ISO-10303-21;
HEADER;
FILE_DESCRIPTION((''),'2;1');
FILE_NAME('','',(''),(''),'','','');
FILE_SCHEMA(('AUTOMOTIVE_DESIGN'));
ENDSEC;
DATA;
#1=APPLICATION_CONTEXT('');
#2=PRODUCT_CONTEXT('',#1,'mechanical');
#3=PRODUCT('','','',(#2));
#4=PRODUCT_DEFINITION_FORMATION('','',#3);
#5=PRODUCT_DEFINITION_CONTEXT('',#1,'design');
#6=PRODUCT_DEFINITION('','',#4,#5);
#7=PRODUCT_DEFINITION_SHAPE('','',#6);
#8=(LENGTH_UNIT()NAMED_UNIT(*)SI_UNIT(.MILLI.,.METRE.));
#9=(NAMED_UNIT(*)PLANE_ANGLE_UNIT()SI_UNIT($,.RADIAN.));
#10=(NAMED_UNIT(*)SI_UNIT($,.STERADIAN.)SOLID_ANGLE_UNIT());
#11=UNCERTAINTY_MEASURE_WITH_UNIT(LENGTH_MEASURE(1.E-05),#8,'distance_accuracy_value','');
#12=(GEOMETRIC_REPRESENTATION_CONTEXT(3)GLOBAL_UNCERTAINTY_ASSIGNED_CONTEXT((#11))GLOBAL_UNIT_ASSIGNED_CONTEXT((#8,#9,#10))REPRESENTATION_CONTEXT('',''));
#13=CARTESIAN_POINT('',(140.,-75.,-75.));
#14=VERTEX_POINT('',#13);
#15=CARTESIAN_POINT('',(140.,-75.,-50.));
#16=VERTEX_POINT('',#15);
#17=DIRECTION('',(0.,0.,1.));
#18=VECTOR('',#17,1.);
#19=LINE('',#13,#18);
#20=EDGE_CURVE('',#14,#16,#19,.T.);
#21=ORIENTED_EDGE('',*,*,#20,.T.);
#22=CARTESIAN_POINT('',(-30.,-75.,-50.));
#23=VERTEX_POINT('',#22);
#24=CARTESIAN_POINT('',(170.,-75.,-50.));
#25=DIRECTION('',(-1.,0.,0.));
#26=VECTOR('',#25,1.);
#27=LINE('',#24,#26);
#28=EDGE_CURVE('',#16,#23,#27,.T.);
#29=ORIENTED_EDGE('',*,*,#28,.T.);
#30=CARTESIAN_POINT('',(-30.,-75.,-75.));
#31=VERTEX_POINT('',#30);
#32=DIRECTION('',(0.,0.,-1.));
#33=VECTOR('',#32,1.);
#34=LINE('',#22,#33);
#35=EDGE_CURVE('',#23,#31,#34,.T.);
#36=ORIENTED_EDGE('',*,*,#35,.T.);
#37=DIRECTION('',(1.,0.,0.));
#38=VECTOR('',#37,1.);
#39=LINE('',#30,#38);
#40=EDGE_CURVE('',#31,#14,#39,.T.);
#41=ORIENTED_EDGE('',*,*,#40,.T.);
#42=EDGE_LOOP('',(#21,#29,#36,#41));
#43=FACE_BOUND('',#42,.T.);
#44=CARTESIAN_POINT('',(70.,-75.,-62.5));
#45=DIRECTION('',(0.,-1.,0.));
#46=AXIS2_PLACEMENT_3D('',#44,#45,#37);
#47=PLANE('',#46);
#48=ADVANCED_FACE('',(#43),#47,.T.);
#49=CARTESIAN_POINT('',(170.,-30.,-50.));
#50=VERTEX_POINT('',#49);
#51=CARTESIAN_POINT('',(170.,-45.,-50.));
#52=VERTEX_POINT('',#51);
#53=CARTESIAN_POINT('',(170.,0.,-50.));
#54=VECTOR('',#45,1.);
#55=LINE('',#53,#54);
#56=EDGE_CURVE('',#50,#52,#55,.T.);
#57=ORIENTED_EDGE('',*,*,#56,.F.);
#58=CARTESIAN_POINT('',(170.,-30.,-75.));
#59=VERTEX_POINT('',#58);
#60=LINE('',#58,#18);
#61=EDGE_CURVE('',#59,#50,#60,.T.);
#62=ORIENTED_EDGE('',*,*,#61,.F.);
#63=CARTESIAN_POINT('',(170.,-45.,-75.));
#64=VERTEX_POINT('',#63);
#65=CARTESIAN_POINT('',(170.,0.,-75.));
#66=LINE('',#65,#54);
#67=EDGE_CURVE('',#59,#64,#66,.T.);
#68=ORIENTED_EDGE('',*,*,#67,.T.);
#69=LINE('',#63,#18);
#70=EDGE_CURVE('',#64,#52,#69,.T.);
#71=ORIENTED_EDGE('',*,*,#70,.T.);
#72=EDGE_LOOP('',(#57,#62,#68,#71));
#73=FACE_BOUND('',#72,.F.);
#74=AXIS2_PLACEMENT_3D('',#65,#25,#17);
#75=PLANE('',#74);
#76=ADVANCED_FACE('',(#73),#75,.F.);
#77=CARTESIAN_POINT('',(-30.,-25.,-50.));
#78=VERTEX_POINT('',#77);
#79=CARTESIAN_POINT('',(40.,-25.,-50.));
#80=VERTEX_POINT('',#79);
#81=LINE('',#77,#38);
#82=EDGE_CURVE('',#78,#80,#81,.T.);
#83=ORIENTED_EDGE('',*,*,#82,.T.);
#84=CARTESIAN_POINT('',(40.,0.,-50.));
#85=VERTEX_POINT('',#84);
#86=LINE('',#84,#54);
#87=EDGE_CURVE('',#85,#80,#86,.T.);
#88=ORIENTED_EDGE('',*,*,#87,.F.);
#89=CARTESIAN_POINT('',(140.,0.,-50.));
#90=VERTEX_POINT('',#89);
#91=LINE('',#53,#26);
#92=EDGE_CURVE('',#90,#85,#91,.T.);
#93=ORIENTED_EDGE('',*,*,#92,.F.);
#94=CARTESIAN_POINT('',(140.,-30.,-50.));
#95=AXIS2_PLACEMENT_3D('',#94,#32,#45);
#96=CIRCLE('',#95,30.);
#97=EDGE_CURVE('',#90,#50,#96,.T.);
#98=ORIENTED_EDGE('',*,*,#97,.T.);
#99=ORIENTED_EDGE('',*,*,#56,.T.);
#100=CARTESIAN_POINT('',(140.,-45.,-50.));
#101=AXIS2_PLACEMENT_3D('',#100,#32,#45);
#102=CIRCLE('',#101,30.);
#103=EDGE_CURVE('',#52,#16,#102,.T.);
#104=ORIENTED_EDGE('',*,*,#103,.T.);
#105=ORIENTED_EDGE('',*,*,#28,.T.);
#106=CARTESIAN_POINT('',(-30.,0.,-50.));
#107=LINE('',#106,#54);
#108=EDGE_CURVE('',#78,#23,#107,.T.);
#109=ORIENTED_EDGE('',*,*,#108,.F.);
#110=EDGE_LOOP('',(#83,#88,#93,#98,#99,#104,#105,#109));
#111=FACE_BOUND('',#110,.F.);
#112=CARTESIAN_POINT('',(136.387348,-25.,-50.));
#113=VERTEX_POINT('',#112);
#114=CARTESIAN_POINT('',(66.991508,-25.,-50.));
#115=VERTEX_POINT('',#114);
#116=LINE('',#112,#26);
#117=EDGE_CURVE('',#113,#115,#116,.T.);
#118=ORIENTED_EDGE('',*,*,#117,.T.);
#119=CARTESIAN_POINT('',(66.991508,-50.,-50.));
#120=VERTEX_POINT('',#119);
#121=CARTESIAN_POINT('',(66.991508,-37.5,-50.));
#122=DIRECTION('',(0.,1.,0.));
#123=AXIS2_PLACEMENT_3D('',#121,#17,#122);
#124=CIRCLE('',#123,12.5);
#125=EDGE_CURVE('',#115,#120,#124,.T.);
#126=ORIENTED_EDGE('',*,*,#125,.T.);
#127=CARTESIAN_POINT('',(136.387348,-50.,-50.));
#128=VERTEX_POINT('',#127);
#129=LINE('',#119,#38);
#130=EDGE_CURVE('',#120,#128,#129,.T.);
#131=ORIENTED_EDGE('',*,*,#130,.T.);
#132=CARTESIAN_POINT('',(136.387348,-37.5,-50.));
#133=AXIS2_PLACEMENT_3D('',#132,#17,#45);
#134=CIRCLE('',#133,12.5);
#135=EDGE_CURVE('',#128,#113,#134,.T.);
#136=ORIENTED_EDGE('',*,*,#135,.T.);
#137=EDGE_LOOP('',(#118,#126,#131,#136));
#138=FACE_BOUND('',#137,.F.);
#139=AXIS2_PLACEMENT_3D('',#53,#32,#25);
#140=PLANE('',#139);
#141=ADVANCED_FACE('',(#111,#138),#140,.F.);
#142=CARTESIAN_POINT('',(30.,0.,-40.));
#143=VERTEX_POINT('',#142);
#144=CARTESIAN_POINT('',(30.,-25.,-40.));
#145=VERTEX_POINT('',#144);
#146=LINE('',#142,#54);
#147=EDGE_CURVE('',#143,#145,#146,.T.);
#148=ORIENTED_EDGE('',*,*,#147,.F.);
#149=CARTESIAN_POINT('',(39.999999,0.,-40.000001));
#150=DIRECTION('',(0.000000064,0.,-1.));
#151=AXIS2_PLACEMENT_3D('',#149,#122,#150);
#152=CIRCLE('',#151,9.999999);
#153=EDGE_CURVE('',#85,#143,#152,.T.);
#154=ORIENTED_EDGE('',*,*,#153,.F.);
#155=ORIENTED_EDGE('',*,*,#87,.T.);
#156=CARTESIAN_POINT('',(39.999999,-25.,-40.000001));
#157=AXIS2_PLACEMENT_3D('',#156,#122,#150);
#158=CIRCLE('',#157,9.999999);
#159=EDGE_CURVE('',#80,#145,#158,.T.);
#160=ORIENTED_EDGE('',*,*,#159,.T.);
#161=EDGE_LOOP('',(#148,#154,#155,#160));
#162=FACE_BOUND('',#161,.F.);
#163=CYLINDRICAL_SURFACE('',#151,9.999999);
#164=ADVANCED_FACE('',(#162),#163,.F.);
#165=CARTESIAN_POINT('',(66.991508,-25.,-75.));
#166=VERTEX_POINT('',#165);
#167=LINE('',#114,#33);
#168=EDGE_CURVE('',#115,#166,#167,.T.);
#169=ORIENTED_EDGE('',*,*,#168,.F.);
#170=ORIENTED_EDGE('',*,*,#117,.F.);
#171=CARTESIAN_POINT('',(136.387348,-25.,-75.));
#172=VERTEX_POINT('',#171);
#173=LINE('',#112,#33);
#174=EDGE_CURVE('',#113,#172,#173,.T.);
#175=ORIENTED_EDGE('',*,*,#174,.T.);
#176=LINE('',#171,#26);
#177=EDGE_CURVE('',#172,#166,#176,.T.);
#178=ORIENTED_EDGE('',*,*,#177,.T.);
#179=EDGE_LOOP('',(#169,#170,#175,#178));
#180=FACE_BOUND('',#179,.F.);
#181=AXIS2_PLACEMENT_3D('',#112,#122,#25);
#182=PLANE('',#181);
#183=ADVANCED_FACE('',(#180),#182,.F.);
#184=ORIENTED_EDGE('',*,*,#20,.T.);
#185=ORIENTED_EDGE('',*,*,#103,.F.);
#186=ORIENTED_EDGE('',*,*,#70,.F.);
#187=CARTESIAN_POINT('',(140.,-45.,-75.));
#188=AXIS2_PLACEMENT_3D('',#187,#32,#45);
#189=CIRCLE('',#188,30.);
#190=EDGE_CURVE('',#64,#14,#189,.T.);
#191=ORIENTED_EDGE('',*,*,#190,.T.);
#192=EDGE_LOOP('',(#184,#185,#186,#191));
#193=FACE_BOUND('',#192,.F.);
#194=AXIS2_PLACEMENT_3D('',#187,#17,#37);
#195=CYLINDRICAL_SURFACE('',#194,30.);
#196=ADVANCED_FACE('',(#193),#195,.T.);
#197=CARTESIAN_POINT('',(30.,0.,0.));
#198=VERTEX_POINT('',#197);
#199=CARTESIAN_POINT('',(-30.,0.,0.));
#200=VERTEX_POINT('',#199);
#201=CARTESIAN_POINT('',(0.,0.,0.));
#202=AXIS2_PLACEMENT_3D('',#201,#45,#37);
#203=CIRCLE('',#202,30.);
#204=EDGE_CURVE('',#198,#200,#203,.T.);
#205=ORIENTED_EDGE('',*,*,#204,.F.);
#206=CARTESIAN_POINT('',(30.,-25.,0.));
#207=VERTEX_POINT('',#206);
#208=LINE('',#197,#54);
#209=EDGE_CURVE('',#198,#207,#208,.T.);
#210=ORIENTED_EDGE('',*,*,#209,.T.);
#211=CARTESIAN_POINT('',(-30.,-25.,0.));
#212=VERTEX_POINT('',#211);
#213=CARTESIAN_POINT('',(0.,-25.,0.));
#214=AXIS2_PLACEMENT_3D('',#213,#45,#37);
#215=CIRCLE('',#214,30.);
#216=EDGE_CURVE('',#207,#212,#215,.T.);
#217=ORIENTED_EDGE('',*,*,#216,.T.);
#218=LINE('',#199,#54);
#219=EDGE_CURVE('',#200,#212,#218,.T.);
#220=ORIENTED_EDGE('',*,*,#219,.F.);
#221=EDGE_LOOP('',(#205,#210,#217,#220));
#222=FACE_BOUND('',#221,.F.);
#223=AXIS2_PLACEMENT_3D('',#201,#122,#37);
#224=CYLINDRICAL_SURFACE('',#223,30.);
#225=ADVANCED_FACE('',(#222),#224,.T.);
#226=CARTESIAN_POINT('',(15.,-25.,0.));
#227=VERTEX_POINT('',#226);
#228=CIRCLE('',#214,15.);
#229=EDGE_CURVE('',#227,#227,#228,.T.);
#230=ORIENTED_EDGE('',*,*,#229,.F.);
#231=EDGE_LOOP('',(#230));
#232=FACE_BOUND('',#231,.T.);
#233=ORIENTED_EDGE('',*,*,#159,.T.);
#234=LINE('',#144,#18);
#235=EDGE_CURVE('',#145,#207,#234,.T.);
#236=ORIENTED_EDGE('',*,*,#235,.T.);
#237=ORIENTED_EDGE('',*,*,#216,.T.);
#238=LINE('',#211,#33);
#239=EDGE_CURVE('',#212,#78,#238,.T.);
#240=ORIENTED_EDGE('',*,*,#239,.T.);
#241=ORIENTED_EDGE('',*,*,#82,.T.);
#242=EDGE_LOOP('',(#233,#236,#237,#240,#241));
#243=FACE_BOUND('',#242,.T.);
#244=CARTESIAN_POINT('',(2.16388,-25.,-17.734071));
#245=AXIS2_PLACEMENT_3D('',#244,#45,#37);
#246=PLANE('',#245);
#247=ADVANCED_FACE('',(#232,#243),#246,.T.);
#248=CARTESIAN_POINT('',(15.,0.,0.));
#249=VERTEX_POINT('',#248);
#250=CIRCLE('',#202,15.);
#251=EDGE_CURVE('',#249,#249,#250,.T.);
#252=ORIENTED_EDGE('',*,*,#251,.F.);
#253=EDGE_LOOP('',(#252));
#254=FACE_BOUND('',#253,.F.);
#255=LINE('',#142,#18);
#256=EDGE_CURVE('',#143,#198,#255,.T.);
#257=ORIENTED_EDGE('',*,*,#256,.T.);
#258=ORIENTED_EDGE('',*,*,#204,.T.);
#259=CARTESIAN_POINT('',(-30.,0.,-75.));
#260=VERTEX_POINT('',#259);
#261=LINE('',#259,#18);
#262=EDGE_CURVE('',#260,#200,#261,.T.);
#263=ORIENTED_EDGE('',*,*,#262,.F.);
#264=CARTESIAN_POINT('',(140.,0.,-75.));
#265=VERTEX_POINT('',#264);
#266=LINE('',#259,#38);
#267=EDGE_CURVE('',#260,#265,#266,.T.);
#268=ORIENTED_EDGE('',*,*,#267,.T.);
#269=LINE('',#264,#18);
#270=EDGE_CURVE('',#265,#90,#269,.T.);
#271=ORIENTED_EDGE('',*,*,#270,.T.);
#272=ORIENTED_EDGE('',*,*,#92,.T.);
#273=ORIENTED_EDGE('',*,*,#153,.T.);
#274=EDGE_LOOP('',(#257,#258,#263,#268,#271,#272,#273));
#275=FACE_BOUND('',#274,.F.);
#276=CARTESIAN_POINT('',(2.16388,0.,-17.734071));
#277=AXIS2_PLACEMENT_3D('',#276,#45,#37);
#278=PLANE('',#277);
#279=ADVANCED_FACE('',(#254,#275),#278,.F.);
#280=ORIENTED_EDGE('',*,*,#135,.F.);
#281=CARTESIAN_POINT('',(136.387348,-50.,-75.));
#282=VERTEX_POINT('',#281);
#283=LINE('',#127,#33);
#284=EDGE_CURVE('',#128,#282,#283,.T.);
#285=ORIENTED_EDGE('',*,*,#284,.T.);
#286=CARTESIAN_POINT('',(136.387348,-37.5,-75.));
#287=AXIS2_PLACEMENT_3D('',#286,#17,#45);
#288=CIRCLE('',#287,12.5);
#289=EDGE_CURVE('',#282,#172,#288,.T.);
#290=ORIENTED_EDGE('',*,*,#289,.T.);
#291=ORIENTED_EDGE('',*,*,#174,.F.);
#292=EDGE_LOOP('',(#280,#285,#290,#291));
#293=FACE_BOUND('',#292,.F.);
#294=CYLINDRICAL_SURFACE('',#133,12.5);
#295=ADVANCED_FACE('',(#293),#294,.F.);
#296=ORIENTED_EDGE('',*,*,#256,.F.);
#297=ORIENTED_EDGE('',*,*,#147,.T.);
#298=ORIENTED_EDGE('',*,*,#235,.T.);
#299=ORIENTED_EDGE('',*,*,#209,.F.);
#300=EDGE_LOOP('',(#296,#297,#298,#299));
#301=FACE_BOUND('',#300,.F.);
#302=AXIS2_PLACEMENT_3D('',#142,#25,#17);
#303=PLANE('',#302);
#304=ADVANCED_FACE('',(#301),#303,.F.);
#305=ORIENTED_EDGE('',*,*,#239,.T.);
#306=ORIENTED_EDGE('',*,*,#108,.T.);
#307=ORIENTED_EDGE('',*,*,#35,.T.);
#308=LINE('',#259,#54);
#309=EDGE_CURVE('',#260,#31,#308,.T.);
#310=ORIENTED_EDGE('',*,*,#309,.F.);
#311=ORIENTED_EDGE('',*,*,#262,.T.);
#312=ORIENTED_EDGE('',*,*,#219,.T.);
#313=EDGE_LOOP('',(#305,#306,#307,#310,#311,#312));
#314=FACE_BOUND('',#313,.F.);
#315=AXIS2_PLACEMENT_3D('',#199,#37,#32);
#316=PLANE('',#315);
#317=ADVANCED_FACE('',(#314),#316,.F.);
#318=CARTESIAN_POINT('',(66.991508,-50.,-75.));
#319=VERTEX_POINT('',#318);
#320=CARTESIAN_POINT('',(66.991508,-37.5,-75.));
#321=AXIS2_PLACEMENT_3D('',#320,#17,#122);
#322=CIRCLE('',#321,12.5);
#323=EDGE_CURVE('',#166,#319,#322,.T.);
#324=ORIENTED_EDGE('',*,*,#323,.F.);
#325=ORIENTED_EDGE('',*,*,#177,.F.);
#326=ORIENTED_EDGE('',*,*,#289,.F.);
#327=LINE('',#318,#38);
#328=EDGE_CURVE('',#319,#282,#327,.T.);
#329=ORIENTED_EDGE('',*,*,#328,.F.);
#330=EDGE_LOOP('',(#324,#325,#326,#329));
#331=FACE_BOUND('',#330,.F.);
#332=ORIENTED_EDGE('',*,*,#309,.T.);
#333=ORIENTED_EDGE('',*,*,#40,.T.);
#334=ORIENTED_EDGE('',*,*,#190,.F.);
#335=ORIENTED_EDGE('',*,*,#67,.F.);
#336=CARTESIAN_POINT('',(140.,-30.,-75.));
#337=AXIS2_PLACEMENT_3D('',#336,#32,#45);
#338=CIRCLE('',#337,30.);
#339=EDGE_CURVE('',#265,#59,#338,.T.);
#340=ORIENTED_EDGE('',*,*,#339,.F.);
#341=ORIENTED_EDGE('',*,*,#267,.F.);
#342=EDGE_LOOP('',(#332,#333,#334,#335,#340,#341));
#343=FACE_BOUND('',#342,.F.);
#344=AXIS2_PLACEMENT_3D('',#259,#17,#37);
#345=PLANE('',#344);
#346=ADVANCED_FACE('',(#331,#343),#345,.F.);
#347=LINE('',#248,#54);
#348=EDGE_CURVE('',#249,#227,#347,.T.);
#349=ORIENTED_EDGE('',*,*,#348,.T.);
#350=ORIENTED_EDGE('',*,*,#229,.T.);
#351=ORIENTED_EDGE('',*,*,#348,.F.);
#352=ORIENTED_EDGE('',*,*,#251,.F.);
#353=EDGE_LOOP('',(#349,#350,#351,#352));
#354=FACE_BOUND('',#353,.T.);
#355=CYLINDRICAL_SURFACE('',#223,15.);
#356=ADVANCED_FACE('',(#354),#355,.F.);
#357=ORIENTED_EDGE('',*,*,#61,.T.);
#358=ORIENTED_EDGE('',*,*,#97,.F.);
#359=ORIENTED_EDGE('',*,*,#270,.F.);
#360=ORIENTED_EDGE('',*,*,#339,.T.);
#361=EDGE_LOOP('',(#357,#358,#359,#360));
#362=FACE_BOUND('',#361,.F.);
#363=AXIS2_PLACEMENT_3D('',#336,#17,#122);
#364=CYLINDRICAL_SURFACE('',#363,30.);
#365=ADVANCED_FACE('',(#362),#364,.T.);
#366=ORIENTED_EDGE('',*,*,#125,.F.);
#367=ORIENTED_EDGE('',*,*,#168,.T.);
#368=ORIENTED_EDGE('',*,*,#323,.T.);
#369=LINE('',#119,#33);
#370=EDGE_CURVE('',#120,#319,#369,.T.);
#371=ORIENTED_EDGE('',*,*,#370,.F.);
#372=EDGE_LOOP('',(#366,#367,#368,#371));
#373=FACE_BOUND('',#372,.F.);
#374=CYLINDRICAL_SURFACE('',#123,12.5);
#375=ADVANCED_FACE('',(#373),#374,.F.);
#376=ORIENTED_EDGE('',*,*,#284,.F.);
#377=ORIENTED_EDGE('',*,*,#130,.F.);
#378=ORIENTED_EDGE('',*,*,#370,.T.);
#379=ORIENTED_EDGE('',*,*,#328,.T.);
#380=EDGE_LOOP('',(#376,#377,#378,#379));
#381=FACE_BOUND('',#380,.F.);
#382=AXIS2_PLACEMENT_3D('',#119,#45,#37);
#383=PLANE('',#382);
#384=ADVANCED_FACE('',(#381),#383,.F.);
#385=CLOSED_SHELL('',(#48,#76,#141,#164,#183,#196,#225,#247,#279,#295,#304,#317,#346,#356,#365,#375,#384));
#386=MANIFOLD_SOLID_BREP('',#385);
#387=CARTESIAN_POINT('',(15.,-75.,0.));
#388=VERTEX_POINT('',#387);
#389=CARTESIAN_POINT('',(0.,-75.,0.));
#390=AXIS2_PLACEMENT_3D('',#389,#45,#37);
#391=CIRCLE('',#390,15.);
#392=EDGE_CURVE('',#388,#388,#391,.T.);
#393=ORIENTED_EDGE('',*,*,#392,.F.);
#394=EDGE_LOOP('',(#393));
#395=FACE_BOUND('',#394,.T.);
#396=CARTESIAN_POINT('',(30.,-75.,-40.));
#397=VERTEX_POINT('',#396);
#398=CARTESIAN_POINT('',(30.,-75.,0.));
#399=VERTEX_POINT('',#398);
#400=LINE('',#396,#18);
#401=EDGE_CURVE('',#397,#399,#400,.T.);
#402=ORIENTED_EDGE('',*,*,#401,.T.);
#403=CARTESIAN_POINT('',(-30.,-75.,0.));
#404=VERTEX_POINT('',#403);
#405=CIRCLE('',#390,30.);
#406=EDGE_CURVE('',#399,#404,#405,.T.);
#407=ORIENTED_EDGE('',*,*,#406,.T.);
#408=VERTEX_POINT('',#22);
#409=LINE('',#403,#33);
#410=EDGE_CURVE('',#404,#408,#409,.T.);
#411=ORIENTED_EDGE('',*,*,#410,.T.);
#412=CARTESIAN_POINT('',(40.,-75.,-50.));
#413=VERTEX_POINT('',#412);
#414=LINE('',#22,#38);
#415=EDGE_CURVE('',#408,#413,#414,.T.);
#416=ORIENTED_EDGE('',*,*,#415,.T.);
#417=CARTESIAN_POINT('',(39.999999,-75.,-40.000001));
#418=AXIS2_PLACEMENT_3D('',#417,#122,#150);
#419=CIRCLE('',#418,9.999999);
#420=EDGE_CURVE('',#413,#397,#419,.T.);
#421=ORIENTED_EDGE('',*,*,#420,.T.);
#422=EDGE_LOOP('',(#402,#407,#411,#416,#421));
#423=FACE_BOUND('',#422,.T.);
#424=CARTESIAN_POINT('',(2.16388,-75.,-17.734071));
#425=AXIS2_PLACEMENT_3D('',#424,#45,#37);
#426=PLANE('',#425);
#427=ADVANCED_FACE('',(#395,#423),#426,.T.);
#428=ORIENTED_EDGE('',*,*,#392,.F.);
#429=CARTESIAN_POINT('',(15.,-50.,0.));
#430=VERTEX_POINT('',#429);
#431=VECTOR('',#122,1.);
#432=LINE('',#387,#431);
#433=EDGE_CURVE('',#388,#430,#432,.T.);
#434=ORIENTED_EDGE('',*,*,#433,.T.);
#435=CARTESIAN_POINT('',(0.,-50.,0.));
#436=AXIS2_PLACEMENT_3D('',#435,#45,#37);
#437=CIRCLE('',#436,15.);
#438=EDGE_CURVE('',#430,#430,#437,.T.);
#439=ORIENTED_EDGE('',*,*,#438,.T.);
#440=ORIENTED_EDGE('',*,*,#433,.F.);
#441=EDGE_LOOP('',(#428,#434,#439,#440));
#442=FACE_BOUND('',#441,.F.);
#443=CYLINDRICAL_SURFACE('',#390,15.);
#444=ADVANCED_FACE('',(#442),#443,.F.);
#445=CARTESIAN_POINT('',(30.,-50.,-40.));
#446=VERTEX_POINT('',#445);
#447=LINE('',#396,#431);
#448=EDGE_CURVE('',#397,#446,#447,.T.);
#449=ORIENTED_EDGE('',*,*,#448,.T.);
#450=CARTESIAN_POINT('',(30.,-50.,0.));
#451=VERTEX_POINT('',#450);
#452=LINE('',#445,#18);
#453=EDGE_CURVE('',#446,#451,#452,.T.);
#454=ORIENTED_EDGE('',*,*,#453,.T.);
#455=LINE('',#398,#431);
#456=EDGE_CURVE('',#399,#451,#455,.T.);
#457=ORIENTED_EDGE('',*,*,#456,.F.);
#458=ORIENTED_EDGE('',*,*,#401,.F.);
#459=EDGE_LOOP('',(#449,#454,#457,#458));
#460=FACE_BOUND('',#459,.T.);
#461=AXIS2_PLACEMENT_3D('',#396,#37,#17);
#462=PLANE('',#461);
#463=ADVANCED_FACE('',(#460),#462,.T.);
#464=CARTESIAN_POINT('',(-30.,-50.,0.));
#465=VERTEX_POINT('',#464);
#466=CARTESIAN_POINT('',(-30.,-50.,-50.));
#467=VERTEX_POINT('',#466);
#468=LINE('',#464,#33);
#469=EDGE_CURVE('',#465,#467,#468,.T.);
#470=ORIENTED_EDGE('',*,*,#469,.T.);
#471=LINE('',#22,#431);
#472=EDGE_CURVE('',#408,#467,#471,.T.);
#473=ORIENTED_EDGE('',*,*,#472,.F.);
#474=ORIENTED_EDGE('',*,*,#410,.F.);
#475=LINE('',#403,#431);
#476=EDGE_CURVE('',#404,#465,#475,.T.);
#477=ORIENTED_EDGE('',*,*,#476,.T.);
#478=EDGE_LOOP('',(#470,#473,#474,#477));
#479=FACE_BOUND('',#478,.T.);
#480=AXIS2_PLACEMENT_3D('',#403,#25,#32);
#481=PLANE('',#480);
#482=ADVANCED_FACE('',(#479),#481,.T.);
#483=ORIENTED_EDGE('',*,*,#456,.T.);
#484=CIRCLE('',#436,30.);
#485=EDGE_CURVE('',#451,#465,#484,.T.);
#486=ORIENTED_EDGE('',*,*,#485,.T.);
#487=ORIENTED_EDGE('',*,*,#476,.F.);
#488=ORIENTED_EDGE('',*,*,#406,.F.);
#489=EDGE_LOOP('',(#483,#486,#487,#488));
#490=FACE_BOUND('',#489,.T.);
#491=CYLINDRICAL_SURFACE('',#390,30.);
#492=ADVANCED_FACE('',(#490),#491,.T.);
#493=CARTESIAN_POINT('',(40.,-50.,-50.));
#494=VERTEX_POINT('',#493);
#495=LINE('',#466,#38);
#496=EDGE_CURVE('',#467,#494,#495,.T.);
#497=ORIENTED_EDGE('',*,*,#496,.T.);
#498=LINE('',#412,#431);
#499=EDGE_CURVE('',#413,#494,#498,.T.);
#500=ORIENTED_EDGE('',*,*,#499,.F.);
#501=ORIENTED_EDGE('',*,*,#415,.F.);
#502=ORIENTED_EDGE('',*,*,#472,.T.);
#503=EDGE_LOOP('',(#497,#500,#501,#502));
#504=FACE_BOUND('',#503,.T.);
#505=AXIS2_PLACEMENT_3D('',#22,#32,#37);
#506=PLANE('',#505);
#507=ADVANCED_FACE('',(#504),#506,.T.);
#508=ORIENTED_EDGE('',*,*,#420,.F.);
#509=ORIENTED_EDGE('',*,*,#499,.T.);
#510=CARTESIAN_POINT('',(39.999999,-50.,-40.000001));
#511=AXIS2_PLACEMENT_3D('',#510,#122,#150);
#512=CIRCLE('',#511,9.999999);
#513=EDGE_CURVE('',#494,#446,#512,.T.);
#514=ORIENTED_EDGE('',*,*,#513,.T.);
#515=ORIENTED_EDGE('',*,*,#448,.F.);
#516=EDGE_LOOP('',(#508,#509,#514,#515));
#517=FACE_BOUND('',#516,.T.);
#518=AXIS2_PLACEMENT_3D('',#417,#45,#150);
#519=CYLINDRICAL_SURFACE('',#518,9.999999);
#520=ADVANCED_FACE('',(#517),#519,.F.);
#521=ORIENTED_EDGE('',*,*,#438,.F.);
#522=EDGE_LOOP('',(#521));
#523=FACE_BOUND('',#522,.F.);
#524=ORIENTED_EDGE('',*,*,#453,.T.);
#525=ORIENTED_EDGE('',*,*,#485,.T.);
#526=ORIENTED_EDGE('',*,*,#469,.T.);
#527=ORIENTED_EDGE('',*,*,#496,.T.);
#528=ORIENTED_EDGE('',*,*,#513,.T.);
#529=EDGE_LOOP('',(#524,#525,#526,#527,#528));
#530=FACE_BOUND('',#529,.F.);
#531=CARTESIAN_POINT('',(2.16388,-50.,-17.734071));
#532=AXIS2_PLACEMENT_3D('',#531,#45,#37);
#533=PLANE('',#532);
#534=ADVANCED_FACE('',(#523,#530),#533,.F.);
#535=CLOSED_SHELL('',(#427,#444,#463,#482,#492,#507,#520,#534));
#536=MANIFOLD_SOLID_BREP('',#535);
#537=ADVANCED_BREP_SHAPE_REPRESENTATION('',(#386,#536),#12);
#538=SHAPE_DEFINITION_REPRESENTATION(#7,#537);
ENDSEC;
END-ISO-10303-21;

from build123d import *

# Parameters (mm, degrees)
F1_DEPTH = 75
F0_R     = 15
F2_DEPTH = 25
F3_R     = 15
F4_DEPTH = 25
F6_DEPTH = 25
F7_R     = 30


with BuildPart() as f1:
    # F0 (on Front) → F1 (new body)
    with BuildSketch(Plane.XZ):
        Polygon((40, -50), (-30, -50), (-30, -75), (170, -75), (170, -50), align=None)
    extrude(amount=F1_DEPTH)

    # F0 (on Front) → F2 (join)
    with BuildSketch(Plane.XZ):
        with BuildLine():
            Line((30, -40), (30, 0))
            ThreePointArc((30, 0), (0, 30), (-30, 0))
            Line((-30, 0), (-30, -50))
            Line((-30, -50), (40, -50))
            ThreePointArc((40, -50), (32.928932, -47.071068), (30, -40))
        make_face()
        Circle(F0_R, mode=Mode.SUBTRACT)
    extrude(amount=F2_DEPTH)

    # F5 (on face) → F6 (cut)
    with BuildSketch(Plane.XY.offset(-50)):
        with BuildLine():
            Line((136.387348, -25), (66.991508, -25))
            ThreePointArc((66.991508, -25), (54.491508, -37.5), (66.991508, -50))
            Line((66.991508, -50), (136.387348, -50))
            ThreePointArc((136.387348, -50), (148.887348, -37.5), (136.387348, -25))
        make_face()
    extrude(amount=-F6_DEPTH, mode=Mode.SUBTRACT)

    # F7
    f7_edges = [f1.edges().sort_by_distance(p)[0] for p in [
        (170, -75, -62.5),
        (170, 0, -62.5),
    ]]
    fillet(f7_edges, radius=F7_R)


with BuildPart() as f4:
    # F3 (on face) → F4 (new body)
    with BuildSketch(Plane.XZ.offset(75)):
        with BuildLine():
            Line((30, -40), (30, 0))
            ThreePointArc((30, 0), (0, 30), (-30, 0))
            Line((-30, 0), (-30, -50))
            Line((-30, -50), (30, -50))
            Line((30, -50), (40, -50))
            ThreePointArc((40, -50), (32.928932, -47.071068), (30, -40))
        make_face()
        Circle(F3_R, mode=Mode.SUBTRACT)
    extrude(amount=-F4_DEPTH)


solid = Compound([f1.part, f4.part])
